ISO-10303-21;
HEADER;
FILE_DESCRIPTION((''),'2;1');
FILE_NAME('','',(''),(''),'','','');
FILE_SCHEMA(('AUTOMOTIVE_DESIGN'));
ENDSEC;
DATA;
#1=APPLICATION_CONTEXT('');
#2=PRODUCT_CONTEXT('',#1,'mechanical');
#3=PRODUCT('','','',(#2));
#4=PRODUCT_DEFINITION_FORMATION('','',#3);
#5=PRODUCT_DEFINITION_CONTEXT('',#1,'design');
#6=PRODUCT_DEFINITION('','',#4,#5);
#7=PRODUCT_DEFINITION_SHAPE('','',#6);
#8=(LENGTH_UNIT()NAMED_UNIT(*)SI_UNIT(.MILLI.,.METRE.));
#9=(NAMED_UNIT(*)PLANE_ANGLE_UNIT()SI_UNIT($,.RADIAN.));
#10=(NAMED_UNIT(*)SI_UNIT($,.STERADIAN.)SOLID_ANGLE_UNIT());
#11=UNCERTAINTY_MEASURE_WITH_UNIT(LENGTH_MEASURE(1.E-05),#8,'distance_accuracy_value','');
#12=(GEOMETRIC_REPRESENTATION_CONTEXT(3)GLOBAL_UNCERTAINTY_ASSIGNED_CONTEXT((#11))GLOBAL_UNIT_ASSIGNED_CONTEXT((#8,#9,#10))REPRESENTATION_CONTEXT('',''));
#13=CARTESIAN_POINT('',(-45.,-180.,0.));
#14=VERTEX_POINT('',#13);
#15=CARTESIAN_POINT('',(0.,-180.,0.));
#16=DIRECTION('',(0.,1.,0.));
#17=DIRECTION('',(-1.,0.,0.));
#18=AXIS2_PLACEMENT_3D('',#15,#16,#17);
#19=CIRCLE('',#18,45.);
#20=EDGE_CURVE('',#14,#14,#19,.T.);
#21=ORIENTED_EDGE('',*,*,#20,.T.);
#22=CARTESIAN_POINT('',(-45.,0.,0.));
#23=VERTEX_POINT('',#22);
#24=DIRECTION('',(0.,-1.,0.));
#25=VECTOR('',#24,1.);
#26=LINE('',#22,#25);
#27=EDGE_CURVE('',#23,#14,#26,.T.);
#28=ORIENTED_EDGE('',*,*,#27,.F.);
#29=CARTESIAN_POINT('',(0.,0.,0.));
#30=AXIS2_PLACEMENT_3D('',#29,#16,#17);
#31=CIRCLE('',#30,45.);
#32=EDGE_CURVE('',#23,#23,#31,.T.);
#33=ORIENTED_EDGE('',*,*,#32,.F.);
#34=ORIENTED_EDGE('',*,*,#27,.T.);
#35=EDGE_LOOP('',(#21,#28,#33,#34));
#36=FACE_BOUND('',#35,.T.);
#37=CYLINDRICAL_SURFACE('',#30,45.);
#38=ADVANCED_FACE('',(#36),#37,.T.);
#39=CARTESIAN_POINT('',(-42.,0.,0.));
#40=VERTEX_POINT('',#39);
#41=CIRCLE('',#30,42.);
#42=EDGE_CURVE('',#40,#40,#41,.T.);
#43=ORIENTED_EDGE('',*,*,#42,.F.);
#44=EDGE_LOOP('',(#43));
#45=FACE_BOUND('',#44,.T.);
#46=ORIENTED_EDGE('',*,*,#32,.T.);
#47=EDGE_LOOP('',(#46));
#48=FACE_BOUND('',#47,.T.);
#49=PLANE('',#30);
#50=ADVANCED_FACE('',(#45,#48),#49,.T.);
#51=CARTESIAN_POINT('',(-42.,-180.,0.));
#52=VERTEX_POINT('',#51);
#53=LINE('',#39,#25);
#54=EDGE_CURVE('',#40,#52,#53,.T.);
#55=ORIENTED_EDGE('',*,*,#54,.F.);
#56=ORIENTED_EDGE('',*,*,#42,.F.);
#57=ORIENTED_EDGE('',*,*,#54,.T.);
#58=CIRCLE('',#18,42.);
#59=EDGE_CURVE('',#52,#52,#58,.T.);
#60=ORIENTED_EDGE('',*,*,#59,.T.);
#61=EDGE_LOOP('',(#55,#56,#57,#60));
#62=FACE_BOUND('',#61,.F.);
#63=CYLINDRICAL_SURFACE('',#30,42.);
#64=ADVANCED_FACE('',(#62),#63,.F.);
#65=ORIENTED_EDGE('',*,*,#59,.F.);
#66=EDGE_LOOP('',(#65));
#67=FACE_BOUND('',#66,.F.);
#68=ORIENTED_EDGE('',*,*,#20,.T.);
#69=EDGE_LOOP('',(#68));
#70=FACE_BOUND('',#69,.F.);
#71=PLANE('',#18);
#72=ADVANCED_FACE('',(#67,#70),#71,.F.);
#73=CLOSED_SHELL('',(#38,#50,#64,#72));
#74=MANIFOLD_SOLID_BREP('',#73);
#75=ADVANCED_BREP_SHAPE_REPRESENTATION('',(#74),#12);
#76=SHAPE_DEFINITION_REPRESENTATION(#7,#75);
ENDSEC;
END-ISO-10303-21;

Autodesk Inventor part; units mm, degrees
ref_plane "YZ Plane" through (0, 0, 0) normal (1, 0, 0) x (0, 1, 0)
ref_plane "XZ Plane" through (0, 0, 0) normal (0, 1, 0) x (-1, 0, 0)
ref_plane "XY Plane" through (0, 0, 0) normal (0, 0, 1) x (1, 0, 0)
sketch "Sketch1" plane through (0, 0, 0) normal (0, 1, 0) x (-1, 0, 0)
  circle A0 centre (0, 0) radius 45
  circle A1 centre (0, 0) radius 42
  dimension "d0" = 90
  dimension "d1" = 3
extrude "Extrusion1" add sketch "Sketch1" against normal blind 180
properties part number "PNS 754 FDS tube" material "Steel"
